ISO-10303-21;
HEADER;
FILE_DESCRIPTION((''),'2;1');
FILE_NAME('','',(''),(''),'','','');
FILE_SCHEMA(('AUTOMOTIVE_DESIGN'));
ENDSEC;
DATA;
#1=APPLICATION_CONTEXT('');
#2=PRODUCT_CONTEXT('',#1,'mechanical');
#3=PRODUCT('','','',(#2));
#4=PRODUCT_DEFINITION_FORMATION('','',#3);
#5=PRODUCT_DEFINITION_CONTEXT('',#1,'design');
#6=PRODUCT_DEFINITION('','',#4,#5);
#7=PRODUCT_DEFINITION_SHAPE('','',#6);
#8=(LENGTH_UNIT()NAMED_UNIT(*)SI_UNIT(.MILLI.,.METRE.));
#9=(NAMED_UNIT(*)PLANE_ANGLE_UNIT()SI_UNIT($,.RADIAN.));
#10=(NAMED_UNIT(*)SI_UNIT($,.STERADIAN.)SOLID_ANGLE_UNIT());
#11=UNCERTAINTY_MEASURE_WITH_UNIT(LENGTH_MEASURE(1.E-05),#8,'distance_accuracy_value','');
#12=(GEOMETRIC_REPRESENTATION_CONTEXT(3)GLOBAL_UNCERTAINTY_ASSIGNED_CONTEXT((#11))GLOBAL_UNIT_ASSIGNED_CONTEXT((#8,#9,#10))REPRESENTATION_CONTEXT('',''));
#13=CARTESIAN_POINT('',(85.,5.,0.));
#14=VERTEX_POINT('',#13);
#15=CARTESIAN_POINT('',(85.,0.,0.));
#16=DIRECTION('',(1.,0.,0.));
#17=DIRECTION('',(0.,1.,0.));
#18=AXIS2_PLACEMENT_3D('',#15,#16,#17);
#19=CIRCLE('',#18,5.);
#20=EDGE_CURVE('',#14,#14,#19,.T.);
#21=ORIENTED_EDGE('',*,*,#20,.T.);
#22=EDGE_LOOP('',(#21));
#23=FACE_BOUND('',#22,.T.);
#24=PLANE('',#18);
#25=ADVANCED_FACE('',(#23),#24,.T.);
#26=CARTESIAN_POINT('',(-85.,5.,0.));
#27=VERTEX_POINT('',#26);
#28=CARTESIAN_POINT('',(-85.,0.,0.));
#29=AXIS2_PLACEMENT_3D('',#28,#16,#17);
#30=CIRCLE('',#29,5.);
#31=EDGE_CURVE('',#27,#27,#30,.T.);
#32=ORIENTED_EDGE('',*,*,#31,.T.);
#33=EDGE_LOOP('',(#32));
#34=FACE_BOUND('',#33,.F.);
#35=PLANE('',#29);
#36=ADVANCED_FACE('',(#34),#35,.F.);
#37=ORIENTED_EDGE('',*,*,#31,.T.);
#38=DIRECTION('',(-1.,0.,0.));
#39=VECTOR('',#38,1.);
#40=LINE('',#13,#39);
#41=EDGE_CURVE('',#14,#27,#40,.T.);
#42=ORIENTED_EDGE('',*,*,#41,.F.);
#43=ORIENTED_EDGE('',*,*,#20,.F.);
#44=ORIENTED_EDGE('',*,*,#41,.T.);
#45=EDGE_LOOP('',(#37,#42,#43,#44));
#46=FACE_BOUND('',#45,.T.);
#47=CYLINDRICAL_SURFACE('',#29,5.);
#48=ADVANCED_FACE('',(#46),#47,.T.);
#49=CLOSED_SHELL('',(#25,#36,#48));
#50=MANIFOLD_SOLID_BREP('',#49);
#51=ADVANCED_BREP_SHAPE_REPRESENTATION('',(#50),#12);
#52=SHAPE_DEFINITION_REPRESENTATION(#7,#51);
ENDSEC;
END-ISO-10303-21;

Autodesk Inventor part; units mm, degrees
ref_plane "YZ Plane" through (0, 0, 0) normal (1, 0, 0) x (0, 1, 0)
ref_plane "XZ Plane" through (0, 0, 0) normal (0, 1, 0) x (-1, 0, 0)
sketch "Эскиз1" plane through (0, 0, 0) normal (0, 0, 1) x (1, 0, 0)
  line L0 (85, 5) -> (85, 0)
  line L1 (-85, 0) -> (85, 0)
  line L2 (-119, 0) -> (119, 0) projected
  line L3 (0, 6) -> (0, -1) projected
  line L4 (-85, 5) -> (-85, 0)
  line L5 (0, 5) -> (0, 0) construction
  line L6 (-119, 0) -> (119, 0) projected
  line L7 (-85, 5) -> (85, 5)
  dimension "d13" = 10
  dimension "d87" = 170
  dimension "d88" = 85
revolve "Базовый элемент" add sketch "Эскиз1" angle 360 about axis through (-85, 0, 0) along (1, 0, 0)
thread "Резьба1" size "M10x1.5" class "6g" standard "ISO Metric profile" length 170
ref_plane "Work Plane1" through (2.75, 0, 0) normal (0, -1, 0) x (1, 0, 0)
equation "\"d13\" = NND"
equation "\"d87\" = NLG"
equation "\"d88\" = 0.5 * NLG"
equation "\"d1\" = GEL"
equation "\"NLG\" = 170"
equation "\"GEL\" = NLG"
equation "\"GAL\" = 0.61345 * PTC"
equation "\"SPD\" = 7.938"
equation "\"GUL\" = 0.61345 * PTC"
equation "\"NND\" = 10"
equation "\"GUL1\" = GUL"
equation "\"GAL1\" = GAL"
equation "\"d89\" = -GEL + GUL1"
equation "\"d90\" = -GUL - GEL"
equation "\"PTC\" = 1.5"
equation "\"TOA\" = 30deg"
equation "\"GD1\" = THREADDIA - 1.2269 * PTC"
equation "\"THREADDIA\" = 10"
properties part number "DIN 976-1 - M10 x 170 - A" material "Сталь, мягкая"
